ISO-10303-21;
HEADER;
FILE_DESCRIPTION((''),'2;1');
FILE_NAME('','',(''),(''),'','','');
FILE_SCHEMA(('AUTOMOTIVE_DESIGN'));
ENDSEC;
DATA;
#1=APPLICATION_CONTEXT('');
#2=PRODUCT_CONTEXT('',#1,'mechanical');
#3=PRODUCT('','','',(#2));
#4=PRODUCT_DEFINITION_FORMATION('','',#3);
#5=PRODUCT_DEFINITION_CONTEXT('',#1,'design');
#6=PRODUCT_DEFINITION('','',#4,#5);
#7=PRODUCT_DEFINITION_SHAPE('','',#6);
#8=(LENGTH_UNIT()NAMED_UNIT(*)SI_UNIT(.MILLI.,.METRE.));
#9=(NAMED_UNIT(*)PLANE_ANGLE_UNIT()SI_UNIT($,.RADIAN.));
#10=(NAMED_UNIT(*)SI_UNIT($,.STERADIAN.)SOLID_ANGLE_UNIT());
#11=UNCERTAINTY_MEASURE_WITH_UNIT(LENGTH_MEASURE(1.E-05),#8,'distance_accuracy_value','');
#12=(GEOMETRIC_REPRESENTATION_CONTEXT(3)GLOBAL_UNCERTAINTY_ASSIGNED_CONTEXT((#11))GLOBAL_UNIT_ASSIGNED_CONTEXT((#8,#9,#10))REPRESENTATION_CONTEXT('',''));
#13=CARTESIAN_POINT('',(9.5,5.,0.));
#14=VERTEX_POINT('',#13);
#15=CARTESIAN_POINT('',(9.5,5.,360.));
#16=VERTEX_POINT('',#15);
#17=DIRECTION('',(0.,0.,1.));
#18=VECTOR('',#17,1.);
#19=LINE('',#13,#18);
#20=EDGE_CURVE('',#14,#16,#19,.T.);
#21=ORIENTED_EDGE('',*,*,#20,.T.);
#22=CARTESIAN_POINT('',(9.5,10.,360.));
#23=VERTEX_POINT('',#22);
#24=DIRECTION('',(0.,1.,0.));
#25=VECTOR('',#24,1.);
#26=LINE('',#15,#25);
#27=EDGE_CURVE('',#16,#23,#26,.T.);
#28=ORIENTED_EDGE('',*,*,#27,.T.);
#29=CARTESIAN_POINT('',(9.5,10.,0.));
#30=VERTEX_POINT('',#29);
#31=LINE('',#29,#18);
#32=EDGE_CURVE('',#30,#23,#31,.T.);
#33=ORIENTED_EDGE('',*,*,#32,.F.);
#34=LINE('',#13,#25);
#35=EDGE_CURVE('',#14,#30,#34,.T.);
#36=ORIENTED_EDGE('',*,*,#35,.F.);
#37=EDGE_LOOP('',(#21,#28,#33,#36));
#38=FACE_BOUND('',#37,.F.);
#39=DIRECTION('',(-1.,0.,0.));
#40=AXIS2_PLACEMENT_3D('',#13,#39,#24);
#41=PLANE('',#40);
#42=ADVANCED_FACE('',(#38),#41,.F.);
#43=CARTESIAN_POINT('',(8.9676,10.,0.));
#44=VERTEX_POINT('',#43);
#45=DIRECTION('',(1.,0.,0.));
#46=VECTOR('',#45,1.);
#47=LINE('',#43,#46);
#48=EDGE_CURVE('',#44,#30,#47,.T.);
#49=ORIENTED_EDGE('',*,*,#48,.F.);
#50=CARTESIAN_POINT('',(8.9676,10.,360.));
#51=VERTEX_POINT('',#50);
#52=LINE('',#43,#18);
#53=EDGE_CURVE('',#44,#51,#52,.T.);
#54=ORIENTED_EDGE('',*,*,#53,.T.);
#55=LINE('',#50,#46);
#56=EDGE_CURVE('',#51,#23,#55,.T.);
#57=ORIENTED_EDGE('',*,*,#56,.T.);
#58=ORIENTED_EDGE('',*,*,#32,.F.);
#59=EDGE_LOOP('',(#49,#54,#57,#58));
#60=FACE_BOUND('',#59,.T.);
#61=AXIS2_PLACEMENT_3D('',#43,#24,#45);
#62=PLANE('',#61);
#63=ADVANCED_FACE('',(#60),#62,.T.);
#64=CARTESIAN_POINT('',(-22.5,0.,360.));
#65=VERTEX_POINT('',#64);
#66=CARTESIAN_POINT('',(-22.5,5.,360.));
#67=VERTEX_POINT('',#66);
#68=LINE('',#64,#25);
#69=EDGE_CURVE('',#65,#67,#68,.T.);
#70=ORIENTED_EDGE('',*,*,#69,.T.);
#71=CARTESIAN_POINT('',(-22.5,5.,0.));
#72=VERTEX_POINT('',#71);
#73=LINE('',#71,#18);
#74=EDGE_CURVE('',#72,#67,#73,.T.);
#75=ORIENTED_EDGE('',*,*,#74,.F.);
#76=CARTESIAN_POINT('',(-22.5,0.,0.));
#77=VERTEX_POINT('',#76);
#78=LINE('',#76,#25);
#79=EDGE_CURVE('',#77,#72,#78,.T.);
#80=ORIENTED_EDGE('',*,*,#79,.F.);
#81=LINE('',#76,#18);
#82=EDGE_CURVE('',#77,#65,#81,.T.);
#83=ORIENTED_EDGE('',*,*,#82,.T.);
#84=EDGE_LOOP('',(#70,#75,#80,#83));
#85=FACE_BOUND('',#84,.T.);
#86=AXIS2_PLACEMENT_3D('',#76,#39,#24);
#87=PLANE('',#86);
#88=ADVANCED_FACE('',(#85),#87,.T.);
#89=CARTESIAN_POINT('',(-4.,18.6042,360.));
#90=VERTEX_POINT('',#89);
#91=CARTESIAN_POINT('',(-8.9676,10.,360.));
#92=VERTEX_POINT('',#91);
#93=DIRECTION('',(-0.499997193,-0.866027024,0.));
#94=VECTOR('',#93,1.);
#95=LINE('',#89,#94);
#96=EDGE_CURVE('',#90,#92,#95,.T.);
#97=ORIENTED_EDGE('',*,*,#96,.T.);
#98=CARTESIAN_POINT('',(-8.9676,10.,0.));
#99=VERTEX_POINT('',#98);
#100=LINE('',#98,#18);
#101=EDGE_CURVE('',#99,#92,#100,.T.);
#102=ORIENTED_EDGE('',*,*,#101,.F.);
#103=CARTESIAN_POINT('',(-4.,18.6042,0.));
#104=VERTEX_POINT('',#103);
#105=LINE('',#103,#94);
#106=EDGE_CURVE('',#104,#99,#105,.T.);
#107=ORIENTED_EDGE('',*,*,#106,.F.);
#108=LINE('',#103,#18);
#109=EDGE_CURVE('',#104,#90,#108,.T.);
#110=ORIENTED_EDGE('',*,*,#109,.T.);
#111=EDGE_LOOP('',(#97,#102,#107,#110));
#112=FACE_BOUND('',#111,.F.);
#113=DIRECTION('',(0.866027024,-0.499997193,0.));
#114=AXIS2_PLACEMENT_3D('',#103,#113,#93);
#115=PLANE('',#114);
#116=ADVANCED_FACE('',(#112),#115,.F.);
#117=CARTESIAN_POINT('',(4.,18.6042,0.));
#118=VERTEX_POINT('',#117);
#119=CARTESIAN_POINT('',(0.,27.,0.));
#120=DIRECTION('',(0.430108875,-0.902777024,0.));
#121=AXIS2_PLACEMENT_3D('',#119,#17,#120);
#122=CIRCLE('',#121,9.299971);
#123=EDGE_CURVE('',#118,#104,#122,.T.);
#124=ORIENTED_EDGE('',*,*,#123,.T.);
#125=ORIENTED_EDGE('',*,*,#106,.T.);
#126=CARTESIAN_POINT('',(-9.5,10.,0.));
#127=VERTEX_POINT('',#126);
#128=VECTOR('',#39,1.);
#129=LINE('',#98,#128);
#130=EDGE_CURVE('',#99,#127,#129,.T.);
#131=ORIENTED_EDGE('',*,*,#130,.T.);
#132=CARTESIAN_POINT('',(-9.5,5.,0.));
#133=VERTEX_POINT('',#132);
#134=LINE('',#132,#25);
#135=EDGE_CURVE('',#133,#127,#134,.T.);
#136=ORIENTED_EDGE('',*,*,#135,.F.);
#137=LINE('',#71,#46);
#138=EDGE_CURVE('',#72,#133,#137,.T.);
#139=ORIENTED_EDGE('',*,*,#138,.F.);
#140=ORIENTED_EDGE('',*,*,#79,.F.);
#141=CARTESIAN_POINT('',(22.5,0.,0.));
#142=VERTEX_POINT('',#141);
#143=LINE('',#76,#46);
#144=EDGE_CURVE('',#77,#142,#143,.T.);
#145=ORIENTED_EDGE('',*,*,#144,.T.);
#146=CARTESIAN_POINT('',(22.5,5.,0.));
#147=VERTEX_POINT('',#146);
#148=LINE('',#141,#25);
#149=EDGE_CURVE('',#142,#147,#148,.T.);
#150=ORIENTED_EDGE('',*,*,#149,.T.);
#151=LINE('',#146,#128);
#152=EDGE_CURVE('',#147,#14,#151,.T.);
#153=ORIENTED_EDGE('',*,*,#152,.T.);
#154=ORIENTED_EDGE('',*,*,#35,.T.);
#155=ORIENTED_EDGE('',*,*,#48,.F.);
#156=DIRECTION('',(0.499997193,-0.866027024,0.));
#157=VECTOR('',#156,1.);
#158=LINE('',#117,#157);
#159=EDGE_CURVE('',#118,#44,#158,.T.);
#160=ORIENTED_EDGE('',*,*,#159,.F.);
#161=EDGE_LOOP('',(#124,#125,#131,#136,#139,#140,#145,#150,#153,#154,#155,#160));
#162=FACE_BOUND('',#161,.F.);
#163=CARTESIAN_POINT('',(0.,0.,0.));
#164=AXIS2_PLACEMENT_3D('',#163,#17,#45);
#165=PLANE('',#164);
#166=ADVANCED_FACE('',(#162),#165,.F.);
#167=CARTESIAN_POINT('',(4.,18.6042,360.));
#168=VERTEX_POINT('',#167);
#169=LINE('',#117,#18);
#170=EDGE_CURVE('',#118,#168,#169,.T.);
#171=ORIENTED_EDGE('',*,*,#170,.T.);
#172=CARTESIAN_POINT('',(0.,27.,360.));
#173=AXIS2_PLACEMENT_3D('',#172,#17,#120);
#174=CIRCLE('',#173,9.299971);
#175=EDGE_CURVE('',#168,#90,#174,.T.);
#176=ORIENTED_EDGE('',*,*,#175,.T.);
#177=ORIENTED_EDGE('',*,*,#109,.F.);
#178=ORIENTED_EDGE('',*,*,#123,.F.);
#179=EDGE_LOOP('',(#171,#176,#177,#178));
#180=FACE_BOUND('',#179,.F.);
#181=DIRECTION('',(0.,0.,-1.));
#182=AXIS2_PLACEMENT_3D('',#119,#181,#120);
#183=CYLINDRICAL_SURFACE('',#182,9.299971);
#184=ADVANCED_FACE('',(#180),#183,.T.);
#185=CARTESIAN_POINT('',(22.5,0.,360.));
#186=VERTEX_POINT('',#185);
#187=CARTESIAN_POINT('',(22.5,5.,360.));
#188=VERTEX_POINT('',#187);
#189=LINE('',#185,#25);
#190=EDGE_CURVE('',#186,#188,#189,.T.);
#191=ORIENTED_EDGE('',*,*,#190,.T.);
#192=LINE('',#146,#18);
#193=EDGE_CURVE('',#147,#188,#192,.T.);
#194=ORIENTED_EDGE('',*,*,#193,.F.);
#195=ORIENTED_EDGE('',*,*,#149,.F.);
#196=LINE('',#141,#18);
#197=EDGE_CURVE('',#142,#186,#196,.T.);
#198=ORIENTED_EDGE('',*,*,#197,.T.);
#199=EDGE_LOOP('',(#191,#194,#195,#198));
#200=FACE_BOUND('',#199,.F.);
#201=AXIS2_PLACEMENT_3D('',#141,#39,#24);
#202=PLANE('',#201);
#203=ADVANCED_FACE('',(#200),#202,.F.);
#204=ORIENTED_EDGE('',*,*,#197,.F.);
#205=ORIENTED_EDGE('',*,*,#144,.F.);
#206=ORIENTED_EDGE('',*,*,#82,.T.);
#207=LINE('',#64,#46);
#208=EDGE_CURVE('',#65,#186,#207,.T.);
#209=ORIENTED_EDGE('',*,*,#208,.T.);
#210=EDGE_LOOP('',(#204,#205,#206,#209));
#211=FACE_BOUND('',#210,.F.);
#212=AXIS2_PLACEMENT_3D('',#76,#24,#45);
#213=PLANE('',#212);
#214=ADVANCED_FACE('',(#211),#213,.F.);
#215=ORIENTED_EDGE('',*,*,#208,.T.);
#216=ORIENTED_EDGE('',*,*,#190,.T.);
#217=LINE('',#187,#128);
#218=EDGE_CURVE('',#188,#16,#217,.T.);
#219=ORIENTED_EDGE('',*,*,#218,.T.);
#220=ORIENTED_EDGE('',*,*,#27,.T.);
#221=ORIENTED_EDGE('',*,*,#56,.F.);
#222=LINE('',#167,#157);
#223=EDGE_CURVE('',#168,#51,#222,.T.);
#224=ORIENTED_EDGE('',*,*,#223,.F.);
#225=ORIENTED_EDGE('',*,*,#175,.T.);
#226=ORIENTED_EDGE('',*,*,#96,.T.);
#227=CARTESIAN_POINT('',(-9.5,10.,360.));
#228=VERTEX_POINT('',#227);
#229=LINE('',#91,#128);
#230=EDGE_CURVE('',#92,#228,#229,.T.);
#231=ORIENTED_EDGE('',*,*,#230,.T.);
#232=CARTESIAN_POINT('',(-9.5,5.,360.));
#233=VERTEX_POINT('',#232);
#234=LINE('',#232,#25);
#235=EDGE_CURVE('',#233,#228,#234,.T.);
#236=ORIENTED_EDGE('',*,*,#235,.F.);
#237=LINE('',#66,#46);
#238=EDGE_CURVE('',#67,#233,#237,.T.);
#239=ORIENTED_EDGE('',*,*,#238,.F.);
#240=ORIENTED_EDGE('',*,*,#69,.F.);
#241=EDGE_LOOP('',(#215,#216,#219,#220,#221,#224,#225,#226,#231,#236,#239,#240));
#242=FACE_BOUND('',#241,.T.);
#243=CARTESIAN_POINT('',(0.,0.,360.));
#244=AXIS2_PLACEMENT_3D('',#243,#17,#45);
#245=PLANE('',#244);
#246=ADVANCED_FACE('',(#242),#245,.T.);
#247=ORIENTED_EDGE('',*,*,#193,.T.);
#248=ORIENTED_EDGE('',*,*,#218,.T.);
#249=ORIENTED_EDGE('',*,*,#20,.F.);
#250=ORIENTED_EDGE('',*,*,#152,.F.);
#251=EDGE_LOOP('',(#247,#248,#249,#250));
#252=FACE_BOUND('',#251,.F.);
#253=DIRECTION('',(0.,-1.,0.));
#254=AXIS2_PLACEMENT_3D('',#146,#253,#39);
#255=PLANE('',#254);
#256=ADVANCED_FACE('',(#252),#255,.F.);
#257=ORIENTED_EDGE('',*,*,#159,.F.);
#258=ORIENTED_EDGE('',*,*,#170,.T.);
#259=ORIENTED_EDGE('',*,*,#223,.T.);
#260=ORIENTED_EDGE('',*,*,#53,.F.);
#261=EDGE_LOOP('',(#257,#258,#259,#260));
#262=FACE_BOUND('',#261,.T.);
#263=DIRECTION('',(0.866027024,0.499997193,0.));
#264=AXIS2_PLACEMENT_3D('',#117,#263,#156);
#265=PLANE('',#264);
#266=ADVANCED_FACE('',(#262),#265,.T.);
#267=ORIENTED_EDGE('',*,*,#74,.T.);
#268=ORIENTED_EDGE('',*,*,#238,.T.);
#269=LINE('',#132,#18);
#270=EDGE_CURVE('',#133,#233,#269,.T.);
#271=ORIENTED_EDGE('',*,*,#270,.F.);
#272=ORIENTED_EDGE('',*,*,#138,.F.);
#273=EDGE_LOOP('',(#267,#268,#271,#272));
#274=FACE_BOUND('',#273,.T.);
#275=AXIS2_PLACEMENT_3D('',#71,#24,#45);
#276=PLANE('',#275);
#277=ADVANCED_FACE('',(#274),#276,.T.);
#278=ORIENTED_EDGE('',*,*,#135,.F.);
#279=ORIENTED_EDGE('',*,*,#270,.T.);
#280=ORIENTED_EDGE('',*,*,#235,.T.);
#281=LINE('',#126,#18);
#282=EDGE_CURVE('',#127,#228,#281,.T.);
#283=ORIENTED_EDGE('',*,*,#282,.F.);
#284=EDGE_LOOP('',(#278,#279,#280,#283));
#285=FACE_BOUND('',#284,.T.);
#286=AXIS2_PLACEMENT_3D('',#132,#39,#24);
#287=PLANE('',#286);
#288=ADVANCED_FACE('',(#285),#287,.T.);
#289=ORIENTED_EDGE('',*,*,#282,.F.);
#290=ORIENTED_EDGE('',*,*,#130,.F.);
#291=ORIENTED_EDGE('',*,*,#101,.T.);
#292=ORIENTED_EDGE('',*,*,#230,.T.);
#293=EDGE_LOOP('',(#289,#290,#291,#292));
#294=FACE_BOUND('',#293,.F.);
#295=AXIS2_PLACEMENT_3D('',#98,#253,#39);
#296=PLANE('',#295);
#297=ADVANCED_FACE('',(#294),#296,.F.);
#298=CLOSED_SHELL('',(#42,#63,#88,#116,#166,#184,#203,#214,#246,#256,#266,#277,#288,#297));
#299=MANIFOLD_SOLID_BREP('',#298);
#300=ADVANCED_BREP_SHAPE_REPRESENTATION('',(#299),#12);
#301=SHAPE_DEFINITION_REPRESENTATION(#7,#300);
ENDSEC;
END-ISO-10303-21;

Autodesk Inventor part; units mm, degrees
ref_plane "YZ Plane" through (0, 0, 0) normal (1, 0, 0) x (0, 1, 0)
ref_plane "XZ Plane" through (0, 0, 0) normal (0, 1, 0) x (-1, 0, 0)
ref_plane "XY Plane" through (0, 0, 0) normal (0, 0, 1) x (1, 0, 0)
sketch "Sketch1" plane through (0, 0, 0) normal (0, 0, 1) x (1, 0, 0)
  line L0 (-22.5, 0) -> (22.5, 0)
  line L1 (22.5, 0) -> (22.5, 5)
  line L2 (-22.5, 0) -> (-22.5, 5)
  line L3 (-22.5, 5) -> (-9.5, 5)
  line L4 (22.5, 5) -> (9.5, 5)
  line L5 (-9.5, 5) -> (-9.5, 10)
  line L6 (9.5, 5) -> (9.5, 10)
  arc A0 (4, 18.6042) -> (-4, 18.6042) centre (0, 27) ccw
  line L7 (4, 18.6042) -> (8.9676, 10)
  line L8 (-4, 18.6042) -> (-8.9676, 10)
  line L9 (-9.5, 10) -> (9.5, 10) construction
  line L10 (-8.9676, 10) -> (-9.5, 10) construction
  line L11 (-8.9676, 10) -> (-9.5, 10)
  line L12 (8.9676, 10) -> (9.5, 10)
  line L13 (-11.4601, 5) -> (-11.4601, 0) construction
  line L14 (-16.9601, 5) -> (-16.9601, 0) construction
  line L15 (13.0399, 5) -> (13.0399, 0) construction
  line L16 (18.5399, 5) -> (18.5399, 0) construction
  arc A1 (-4, 18.6042) -> (4, 18.6042) centre (0, 27) ccw construction
  point P0 (0, 0)
  point P1 (0, 0)
  point P2 (0, 17.7)
  point P3 (15.7899, 5)
  point P4 (-14.2101, 5)
  dimension "B" = 45
  dimension "t" = 5
  dimension "d2" = 5
  dimension "dimensionf" = 19
  dimension "d4" = 13
  dimension "Y" = 10
  dimension "d6" = 5
  dimension "d" = 18.6
  dimension "e" = 22.5
  dimension "dimensionH" = 17.7
  dimension "dimensionh" = 27
  dimension "x" = 8
  dimension "d16" = 4
  dimension "dimensionc" = 30
  dimension "d21" = 6.7101
  dimension "s1" = 5.5
  dimension "d23" = 5.5
  dimension "d24" = 2.75
  dimension "d25" = 2.75
extrude "Extrusion1" add sketch "Sketch1" along normal blind 360
equation "\"d2\" = t"
equation "\"d16\" = 0.5 * x"
properties part number "sbr20_360mm"
